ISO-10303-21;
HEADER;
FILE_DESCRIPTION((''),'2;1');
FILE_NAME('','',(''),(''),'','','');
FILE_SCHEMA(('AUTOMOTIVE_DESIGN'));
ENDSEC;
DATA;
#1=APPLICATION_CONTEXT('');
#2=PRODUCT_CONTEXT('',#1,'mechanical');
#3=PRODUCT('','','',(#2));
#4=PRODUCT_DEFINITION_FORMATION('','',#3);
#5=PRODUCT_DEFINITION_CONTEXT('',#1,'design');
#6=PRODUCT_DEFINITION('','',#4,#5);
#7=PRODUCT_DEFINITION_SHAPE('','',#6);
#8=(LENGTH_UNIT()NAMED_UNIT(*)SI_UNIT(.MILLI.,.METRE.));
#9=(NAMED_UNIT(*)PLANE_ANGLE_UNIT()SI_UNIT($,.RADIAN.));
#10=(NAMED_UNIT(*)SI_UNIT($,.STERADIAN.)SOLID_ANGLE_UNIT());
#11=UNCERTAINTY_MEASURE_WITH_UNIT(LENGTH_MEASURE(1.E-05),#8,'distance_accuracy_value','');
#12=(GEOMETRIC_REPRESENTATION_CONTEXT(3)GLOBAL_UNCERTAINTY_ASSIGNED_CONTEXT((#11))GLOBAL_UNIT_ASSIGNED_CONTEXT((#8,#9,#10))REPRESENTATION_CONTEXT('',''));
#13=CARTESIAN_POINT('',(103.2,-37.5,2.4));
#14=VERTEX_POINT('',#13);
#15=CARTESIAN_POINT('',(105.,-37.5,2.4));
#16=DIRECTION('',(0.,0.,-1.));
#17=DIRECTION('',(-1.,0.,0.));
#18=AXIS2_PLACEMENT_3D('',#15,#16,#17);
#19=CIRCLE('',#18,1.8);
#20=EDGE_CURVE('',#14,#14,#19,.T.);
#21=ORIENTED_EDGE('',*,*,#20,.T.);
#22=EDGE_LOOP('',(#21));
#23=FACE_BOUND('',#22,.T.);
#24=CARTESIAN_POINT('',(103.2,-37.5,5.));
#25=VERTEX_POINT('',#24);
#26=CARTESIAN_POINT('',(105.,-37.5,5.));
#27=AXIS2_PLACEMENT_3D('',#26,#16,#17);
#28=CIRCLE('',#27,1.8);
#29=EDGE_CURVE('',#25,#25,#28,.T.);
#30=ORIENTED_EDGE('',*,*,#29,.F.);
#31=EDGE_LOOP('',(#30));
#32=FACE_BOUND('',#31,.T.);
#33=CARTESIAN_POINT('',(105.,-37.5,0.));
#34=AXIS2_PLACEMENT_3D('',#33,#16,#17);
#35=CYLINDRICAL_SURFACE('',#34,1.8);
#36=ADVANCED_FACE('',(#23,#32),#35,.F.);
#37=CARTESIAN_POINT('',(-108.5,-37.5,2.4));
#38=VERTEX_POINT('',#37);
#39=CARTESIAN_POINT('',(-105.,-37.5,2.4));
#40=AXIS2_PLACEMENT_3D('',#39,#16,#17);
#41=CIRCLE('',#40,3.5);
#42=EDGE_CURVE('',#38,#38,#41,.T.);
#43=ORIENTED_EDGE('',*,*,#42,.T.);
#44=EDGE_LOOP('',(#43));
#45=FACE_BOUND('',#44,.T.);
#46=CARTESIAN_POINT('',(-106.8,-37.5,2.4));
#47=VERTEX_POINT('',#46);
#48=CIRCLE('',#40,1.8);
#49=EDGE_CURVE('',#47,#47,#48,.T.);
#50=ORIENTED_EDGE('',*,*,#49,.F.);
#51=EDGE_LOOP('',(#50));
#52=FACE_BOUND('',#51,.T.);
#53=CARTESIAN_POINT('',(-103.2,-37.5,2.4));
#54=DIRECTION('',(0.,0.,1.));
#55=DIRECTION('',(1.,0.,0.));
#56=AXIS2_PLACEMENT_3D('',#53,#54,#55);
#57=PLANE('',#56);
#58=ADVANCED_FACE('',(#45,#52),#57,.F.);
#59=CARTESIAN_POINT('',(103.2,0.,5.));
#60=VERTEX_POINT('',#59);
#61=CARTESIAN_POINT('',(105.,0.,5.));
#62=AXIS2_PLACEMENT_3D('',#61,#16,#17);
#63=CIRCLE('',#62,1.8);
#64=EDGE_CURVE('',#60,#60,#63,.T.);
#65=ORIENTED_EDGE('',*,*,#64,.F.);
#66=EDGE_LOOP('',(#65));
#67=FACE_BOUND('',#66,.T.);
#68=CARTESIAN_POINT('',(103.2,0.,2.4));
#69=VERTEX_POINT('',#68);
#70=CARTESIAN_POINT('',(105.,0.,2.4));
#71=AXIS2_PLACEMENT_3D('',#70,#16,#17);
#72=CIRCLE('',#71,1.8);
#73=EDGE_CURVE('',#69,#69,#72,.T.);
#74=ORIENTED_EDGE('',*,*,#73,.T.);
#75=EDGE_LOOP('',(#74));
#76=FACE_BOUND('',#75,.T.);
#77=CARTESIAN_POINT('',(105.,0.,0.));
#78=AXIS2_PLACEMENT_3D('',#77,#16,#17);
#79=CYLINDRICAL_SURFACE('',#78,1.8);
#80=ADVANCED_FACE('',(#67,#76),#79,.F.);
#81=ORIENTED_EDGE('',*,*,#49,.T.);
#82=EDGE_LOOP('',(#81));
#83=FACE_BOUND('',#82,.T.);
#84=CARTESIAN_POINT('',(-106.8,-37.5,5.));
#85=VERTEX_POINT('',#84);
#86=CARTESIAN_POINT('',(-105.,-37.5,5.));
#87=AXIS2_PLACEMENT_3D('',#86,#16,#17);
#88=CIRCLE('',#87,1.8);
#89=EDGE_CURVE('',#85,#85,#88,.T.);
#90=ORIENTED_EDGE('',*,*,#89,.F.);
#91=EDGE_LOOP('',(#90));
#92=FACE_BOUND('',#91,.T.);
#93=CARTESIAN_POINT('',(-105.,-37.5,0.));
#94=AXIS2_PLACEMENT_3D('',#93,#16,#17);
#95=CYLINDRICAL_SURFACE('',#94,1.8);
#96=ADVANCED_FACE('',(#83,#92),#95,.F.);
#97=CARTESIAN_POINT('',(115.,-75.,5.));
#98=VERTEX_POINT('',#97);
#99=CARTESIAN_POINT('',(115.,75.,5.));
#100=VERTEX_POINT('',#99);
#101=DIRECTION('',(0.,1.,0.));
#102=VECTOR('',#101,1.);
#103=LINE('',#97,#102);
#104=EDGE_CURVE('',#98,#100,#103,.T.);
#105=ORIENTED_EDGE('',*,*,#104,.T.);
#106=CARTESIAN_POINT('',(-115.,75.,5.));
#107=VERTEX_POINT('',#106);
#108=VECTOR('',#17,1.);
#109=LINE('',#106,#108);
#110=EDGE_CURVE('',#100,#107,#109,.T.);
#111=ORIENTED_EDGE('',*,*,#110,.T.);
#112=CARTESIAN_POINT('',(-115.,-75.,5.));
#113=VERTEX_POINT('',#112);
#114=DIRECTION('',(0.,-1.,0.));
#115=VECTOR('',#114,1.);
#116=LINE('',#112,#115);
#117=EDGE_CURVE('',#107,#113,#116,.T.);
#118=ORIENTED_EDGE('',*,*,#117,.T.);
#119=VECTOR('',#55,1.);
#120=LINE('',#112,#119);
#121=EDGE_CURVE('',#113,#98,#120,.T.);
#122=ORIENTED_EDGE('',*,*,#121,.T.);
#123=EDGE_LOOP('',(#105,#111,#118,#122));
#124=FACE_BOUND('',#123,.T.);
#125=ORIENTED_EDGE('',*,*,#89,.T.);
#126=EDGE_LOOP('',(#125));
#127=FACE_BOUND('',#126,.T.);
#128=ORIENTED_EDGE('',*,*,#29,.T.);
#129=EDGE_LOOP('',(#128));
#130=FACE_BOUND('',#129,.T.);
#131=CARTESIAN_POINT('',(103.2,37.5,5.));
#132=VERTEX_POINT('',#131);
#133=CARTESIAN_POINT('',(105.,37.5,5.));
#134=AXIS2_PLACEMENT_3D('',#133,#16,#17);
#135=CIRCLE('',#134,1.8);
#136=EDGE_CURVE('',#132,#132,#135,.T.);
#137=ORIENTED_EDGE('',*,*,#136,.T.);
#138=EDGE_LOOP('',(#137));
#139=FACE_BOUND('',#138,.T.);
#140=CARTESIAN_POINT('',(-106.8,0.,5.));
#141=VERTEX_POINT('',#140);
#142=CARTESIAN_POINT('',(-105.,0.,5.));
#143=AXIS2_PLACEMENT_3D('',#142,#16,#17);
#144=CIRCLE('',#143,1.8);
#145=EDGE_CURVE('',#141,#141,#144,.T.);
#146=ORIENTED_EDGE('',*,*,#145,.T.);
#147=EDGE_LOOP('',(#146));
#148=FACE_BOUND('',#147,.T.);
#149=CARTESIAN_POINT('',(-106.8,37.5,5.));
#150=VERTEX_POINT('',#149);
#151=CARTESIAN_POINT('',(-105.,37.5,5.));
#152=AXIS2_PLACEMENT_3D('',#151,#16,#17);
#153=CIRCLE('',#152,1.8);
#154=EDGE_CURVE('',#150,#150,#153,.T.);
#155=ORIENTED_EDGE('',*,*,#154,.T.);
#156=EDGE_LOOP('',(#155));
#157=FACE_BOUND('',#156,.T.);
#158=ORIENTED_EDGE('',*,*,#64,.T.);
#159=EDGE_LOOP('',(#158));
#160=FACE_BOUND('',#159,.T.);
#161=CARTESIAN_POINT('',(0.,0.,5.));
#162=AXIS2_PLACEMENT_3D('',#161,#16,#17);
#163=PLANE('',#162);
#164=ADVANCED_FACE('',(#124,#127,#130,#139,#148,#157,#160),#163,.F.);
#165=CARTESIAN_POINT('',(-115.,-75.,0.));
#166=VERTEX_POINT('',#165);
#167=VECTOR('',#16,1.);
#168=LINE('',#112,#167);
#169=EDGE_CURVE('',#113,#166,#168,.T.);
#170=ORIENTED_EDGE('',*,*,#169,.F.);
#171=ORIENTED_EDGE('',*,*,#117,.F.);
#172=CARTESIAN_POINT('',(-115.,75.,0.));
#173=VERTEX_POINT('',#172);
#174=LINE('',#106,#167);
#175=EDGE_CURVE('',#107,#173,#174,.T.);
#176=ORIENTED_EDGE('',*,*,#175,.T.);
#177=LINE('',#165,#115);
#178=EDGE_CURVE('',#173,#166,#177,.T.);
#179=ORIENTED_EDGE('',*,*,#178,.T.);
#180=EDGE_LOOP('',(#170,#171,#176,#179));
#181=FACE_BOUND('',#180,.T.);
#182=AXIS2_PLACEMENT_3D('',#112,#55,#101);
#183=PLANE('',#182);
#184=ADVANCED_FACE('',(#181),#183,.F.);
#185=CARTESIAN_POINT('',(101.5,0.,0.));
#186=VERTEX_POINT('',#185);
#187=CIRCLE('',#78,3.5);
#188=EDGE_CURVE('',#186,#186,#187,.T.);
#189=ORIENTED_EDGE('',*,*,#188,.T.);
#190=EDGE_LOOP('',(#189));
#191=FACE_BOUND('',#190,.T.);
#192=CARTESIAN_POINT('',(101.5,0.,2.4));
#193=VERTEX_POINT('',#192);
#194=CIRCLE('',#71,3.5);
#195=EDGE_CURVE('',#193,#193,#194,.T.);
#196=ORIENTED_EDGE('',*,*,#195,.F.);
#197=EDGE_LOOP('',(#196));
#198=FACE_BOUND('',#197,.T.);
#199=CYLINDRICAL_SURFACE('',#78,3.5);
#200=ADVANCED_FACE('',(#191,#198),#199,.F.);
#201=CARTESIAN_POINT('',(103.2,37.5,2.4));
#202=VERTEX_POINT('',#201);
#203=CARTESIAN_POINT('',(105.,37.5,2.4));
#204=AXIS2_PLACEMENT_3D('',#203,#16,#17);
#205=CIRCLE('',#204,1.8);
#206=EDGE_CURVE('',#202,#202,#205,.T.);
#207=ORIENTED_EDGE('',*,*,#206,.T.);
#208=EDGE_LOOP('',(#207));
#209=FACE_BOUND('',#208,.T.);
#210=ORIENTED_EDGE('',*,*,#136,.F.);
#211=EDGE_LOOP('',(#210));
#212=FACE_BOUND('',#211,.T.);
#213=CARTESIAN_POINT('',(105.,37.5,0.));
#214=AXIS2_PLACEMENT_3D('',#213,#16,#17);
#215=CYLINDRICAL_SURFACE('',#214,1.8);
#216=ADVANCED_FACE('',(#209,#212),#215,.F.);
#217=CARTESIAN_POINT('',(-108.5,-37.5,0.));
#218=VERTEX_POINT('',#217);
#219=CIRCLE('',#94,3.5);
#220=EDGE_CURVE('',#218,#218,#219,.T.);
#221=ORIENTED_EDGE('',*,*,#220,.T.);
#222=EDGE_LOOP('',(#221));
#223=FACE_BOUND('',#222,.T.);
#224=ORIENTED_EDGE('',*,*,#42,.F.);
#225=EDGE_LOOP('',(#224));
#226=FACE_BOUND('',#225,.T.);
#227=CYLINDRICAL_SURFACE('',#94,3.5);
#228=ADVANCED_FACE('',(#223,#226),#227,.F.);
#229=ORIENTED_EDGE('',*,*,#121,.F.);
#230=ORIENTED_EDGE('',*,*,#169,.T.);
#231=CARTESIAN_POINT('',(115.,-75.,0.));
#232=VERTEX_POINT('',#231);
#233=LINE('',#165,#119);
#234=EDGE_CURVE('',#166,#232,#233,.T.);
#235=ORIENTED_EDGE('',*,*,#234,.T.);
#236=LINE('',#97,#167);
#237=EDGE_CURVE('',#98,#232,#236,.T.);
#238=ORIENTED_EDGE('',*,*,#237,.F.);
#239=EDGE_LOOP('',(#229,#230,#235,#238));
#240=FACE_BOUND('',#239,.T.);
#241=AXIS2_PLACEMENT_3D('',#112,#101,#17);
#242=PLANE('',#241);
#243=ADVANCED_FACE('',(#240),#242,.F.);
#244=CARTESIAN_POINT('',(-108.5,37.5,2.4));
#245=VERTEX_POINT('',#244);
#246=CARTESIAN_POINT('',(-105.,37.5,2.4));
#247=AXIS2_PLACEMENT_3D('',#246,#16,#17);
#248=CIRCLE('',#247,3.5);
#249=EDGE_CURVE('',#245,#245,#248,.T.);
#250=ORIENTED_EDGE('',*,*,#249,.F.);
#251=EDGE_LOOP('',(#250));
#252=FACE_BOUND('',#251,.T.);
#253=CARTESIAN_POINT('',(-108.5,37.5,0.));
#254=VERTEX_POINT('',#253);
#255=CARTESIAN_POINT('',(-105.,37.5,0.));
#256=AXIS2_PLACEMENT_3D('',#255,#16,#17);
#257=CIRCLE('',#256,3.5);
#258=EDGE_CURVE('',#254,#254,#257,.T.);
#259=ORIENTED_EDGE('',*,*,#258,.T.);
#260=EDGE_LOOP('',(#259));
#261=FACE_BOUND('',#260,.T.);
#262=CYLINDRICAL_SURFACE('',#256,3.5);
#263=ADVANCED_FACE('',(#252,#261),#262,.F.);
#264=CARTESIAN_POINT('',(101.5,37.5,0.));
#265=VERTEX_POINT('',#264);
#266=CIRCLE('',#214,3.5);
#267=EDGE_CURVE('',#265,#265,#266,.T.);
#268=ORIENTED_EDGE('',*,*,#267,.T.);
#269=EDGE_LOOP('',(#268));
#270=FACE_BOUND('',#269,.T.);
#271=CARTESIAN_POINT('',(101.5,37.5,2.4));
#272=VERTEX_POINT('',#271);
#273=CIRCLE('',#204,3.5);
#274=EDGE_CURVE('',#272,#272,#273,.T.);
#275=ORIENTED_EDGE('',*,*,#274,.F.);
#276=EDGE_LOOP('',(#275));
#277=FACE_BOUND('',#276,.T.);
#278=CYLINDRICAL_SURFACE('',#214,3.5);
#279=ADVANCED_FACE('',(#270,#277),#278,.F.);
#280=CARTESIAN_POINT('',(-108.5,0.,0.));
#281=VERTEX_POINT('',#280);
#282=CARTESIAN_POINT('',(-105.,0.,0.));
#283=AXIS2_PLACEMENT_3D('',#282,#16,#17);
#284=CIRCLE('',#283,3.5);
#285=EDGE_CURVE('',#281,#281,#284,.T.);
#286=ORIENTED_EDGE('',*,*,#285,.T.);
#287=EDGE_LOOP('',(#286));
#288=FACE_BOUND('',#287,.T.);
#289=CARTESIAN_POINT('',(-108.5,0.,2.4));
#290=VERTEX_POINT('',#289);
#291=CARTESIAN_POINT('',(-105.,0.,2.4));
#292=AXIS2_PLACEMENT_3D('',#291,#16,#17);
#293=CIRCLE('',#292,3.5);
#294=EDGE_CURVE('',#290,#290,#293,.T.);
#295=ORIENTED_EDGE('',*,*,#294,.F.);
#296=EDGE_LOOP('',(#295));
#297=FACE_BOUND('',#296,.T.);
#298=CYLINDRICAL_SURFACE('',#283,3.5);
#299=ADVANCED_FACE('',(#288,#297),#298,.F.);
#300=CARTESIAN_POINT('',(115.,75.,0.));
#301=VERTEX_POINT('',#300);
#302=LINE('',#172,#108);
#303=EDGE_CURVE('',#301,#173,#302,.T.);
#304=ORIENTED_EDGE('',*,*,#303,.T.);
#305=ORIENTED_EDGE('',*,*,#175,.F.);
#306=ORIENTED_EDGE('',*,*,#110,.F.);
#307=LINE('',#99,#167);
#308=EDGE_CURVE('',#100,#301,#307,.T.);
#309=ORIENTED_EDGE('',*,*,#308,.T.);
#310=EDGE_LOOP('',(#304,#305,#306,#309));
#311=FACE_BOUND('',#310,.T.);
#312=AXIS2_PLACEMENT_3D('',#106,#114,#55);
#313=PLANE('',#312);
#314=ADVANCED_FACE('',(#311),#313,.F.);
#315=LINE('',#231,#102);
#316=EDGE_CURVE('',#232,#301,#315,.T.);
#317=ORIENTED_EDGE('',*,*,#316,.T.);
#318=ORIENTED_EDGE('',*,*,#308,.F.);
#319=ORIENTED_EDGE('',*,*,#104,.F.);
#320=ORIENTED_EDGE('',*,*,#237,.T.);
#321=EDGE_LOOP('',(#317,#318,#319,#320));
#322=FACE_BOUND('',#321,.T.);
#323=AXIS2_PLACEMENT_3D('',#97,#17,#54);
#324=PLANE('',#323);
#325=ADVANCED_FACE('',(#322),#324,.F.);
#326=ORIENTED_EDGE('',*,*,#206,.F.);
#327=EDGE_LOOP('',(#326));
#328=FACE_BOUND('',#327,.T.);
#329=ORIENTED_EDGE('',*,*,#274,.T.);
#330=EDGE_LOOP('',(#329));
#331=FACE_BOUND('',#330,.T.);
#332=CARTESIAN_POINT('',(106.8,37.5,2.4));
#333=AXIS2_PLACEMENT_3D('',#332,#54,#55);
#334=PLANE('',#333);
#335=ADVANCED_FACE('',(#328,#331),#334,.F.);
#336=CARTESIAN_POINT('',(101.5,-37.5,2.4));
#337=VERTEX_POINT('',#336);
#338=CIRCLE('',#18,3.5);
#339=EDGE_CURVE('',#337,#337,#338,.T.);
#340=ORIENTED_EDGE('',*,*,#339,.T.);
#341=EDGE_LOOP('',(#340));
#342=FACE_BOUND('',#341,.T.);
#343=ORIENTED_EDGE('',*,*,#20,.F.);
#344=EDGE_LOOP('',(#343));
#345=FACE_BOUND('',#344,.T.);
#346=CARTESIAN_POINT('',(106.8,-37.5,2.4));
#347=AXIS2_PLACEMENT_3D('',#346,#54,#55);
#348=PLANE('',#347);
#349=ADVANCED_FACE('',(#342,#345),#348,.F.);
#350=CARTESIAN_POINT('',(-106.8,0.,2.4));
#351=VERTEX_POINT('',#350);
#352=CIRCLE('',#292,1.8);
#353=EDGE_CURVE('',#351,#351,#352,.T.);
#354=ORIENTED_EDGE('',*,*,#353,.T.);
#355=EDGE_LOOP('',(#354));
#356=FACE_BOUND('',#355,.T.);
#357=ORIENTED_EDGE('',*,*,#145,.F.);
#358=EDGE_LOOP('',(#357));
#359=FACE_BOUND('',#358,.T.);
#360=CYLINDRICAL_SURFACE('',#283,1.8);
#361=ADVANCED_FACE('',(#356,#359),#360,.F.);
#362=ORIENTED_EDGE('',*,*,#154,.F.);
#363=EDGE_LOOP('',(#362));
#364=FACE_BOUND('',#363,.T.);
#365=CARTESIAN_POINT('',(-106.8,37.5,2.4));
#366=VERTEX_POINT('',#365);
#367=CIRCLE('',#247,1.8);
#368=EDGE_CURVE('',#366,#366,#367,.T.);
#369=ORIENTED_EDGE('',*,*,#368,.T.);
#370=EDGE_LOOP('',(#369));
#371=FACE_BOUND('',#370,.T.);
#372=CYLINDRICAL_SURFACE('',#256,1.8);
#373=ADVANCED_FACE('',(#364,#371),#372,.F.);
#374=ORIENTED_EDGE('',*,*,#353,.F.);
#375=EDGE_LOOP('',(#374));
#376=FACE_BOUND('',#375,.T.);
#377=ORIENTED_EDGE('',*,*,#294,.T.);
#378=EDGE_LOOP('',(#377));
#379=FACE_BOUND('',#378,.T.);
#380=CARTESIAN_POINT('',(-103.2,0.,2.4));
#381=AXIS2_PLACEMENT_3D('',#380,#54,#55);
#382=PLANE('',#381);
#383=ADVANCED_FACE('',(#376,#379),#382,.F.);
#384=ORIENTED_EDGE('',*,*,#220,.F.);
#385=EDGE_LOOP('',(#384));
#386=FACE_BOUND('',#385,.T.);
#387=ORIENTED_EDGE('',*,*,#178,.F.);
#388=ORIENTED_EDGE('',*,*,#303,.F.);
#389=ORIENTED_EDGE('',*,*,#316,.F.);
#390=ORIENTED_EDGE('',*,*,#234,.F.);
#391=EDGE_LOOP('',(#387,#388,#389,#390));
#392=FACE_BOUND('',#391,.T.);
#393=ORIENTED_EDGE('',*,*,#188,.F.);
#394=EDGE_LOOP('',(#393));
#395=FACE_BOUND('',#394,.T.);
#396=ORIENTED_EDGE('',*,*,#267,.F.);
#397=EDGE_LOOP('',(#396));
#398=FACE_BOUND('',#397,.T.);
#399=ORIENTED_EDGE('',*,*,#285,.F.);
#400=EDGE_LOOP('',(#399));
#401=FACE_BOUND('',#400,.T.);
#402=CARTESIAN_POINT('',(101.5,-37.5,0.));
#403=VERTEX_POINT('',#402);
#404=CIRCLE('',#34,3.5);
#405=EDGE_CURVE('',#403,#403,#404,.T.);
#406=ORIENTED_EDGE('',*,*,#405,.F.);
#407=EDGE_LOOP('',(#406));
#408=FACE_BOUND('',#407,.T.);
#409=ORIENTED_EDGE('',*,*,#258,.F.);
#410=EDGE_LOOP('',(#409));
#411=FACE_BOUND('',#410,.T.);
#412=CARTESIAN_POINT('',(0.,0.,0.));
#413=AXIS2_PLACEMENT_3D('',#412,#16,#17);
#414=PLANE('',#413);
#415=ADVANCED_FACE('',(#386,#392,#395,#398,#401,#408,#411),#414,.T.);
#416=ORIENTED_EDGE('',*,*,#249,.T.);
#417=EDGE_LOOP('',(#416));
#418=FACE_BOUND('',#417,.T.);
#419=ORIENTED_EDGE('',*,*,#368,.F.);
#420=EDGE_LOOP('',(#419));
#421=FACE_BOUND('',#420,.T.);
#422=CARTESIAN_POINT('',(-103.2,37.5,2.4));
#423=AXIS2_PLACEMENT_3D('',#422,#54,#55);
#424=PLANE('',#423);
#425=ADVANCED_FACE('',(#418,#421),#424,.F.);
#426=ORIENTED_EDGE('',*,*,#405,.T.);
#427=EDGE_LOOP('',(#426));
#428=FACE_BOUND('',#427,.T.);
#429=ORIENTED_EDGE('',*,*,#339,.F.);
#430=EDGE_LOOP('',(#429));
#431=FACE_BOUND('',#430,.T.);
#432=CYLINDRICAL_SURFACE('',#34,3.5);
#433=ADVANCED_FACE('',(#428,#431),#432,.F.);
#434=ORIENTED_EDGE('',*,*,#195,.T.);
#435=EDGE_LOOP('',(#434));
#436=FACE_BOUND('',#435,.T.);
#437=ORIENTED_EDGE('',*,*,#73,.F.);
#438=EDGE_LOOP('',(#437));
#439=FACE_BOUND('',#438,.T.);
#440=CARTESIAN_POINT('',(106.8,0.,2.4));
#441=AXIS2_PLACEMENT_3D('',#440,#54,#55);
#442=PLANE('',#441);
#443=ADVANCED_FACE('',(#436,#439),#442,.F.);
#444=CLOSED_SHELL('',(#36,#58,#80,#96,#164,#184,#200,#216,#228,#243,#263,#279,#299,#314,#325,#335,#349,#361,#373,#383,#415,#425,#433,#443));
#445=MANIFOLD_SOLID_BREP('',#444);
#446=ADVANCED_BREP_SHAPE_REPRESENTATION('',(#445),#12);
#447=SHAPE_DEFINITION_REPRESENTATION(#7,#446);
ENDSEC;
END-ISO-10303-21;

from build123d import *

# Parameters (mm, degrees)
SZKIC1_W                                          = 230
SZKIC1_H                                          = 150
DODANIE_WYCI_GNI_CIE1_DEPTH                       = 5
POG_BIENIE_WALCOWE_POD_M3_RUB_Z_BEM_S_D           = 3.6
POG_BIENIE_WALCOWE_POD_M3_RUB_Z_BEM_S_DEPTH       = 6.7
POG_BIENIE_WALCOWE_POD_M3_RUB_Z_BEM_S_CBORE_D     = 7
POG_BIENIE_WALCOWE_POD_M3_RUB_Z_BEM_S_CBORE_DEPTH = 2.4
POG_BIENIE_WALCOWE_POD_M3_RUB_Z_BEM_S_TIP         = 1.081549114


with BuildPart() as part:
    # Szkic1 → Dodanie-wyciągnięcie1 (new body)
    with BuildSketch(Plane.XY):
        Rectangle(SZKIC1_W, SZKIC1_H)
    extrude(amount=DODANIE_WYCI_GNI_CIE1_DEPTH)

    # Pogłębienie walcowe pod M3 Śrubę z łbem stożkowym ściętym1
    with Locations(Plane(origin=(0, 0, 0), x_dir=(-1, 0, 0), z_dir=(0, 0, -1))):
        with Locations((105, 37.5), (105, 0), (105, -37.5), (-105, -37.5), (-105, 0), (-105, 37.5)):
            CounterBoreHole(POG_BIENIE_WALCOWE_POD_M3_RUB_Z_BEM_S_D / 2, POG_BIENIE_WALCOWE_POD_M3_RUB_Z_BEM_S_CBORE_D / 2, POG_BIENIE_WALCOWE_POD_M3_RUB_Z_BEM_S_CBORE_DEPTH, depth=POG_BIENIE_WALCOWE_POD_M3_RUB_Z_BEM_S_DEPTH)
            with Locations((0, 0, -(POG_BIENIE_WALCOWE_POD_M3_RUB_Z_BEM_S_DEPTH + POG_BIENIE_WALCOWE_POD_M3_RUB_Z_BEM_S_TIP / 2))):  # 118° drill point
                Cone(0, POG_BIENIE_WALCOWE_POD_M3_RUB_Z_BEM_S_D / 2, POG_BIENIE_WALCOWE_POD_M3_RUB_Z_BEM_S_TIP, mode=Mode.SUBTRACT)


solid = part.part
